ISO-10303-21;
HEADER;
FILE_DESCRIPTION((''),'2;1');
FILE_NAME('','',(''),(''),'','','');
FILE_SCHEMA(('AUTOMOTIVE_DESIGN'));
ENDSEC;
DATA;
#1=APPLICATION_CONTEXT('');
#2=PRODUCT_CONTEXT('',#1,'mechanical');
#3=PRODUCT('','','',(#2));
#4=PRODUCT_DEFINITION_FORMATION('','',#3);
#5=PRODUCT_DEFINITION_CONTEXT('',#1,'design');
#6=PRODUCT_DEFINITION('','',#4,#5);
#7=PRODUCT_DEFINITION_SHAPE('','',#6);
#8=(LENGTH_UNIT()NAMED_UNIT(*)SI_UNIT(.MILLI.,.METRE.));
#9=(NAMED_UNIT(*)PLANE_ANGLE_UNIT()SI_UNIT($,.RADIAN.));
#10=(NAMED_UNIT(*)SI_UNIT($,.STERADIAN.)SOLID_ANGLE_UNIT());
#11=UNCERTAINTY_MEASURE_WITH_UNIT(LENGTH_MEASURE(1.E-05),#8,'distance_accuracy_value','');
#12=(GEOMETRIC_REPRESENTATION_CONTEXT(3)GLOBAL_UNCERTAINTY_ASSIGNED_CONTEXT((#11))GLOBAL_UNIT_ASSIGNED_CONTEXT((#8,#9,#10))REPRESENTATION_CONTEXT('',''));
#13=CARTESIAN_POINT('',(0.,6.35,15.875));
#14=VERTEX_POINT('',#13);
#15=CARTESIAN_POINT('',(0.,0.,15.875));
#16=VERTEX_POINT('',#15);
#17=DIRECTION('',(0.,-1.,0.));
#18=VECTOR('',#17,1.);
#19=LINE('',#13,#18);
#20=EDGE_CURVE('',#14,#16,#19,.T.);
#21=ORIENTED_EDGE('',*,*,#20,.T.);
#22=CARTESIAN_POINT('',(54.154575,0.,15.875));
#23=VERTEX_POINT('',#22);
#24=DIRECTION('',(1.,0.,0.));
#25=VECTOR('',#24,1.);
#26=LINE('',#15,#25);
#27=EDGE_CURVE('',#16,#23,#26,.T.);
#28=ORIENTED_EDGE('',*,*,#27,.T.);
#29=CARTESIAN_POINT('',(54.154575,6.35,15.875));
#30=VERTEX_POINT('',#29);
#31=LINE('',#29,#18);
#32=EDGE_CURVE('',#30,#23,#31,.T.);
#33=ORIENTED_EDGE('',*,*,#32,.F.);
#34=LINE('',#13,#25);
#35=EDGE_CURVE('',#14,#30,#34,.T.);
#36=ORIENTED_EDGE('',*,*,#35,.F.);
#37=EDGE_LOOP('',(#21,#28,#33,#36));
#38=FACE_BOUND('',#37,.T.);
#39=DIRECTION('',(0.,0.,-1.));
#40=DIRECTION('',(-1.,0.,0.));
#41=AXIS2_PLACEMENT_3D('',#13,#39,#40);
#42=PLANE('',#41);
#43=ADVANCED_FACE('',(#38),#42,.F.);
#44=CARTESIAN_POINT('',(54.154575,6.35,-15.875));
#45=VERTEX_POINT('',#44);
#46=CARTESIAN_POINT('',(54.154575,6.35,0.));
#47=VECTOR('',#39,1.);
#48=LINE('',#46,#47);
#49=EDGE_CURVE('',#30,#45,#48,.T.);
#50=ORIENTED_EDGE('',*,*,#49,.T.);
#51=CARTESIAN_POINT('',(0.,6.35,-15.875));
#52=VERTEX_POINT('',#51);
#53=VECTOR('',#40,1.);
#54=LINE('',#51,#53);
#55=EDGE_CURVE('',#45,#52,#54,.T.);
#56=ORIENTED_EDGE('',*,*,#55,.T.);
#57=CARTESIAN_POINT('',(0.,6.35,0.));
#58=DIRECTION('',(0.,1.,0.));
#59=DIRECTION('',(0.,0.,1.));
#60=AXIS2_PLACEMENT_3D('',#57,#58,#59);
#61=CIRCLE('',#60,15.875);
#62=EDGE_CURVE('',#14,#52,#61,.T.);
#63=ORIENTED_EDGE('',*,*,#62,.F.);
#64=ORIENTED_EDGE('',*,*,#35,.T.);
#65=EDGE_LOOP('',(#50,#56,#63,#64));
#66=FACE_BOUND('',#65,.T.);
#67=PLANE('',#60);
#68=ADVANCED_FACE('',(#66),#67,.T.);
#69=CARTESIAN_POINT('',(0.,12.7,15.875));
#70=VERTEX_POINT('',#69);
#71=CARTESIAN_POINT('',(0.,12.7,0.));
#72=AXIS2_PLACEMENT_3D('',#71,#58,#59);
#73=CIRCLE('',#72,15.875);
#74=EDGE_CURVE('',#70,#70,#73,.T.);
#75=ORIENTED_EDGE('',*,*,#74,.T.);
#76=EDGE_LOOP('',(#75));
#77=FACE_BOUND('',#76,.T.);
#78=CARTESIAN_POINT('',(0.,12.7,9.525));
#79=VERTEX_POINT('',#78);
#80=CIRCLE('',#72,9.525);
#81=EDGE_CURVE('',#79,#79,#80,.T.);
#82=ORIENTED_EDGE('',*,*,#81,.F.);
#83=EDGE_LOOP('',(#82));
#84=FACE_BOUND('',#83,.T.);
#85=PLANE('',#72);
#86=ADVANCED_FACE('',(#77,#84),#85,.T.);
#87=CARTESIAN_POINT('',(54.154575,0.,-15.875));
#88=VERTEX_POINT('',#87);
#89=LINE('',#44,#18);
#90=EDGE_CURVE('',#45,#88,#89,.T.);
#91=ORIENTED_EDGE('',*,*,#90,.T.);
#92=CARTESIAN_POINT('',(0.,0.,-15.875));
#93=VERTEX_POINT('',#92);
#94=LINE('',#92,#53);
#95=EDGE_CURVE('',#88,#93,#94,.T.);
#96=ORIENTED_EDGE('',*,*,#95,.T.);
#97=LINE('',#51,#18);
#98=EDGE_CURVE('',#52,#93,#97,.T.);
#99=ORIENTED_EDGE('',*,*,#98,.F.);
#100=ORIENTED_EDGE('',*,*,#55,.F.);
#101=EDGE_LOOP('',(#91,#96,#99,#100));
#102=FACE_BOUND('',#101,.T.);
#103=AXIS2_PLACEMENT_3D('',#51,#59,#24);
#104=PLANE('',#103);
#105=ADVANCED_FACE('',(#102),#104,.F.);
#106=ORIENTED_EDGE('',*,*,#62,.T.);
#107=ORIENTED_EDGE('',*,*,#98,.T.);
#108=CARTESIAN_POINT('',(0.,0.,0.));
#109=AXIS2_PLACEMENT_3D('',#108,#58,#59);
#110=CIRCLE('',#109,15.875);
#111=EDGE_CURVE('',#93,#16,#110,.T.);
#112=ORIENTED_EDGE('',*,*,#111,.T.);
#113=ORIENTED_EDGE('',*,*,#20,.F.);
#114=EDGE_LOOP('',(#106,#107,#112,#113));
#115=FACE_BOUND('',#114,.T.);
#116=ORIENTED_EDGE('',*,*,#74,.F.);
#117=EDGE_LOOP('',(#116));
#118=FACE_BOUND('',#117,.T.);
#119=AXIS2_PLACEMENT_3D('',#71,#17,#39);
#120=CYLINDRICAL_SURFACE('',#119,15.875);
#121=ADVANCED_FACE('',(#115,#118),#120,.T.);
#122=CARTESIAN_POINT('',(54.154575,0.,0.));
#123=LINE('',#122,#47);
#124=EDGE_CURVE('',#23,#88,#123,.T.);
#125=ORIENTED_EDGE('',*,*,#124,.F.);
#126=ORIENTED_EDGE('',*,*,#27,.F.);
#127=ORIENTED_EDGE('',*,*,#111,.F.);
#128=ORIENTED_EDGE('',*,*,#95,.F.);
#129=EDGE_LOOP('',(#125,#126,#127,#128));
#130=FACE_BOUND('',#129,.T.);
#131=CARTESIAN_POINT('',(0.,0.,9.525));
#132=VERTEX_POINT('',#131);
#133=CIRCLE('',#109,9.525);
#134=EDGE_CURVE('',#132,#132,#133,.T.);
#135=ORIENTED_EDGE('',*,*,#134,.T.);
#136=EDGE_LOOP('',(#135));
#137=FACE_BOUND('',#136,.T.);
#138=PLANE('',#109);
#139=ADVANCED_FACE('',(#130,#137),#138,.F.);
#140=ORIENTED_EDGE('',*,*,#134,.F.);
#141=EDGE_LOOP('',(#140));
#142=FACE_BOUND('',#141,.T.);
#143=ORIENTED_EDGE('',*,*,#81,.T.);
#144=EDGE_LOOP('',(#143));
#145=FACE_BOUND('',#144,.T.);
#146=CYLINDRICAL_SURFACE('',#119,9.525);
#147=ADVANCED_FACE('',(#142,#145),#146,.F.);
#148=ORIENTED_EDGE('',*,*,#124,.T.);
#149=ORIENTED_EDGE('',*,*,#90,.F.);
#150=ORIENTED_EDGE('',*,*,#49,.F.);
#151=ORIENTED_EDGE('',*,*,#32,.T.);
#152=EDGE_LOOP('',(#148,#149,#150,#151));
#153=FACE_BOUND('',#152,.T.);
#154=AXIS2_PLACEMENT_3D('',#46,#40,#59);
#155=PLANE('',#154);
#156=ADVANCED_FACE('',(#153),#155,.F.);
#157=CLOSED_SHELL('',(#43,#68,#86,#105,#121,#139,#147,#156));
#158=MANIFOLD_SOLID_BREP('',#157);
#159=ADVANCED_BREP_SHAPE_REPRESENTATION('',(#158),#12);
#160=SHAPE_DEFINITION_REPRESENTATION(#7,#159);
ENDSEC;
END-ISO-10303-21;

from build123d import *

# Parameters (mm, degrees)
SKETCH1_R           = 9.525
BOSS_EXTRUDE1_DEPTH = 12.7
BOSS_EXTRUDE2_DEPTH = 6.35


with BuildPart() as part:
    # Sketch1 → Boss-Extrude1 (new body)
    with BuildSketch(Plane(origin=(0, 0, 0), x_dir=(1, 0, 0), z_dir=(0, 1, 0))):
        with BuildLine():
            ThreePointArc((0, 15.875), (-15.875, 0), (0, -15.875))
            ThreePointArc((0, -15.875), (11.225320151, -11.225320151), (15.875, 0))
            ThreePointArc((15.875, 0), (11.225320151, 11.225320151), (0, 15.875))
        make_face()
        Circle(SKETCH1_R, mode=Mode.SUBTRACT)
    extrude(amount=BOSS_EXTRUDE1_DEPTH)

    # Sketch1<6> → Boss-Extrude2 (add)
    with BuildSketch(Plane(origin=(0, 0, 0), x_dir=(1, 0, 0), z_dir=(0, 1, 0))):
        with BuildLine():
            ThreePointArc((15.875, 0), (11.225320151, -11.225320151), (0, -15.875))
            Line((0, -15.875), (54.154575014, -15.875))
            Line((54.154575014, -15.875), (54.154575014, 15.875))
            Line((54.154575014, 15.875), (0, 15.875))
            ThreePointArc((0, 15.875), (11.225320151, 11.225320151), (15.875, 0))
        make_face()
    extrude(amount=BOSS_EXTRUDE2_DEPTH)


solid = part.part
